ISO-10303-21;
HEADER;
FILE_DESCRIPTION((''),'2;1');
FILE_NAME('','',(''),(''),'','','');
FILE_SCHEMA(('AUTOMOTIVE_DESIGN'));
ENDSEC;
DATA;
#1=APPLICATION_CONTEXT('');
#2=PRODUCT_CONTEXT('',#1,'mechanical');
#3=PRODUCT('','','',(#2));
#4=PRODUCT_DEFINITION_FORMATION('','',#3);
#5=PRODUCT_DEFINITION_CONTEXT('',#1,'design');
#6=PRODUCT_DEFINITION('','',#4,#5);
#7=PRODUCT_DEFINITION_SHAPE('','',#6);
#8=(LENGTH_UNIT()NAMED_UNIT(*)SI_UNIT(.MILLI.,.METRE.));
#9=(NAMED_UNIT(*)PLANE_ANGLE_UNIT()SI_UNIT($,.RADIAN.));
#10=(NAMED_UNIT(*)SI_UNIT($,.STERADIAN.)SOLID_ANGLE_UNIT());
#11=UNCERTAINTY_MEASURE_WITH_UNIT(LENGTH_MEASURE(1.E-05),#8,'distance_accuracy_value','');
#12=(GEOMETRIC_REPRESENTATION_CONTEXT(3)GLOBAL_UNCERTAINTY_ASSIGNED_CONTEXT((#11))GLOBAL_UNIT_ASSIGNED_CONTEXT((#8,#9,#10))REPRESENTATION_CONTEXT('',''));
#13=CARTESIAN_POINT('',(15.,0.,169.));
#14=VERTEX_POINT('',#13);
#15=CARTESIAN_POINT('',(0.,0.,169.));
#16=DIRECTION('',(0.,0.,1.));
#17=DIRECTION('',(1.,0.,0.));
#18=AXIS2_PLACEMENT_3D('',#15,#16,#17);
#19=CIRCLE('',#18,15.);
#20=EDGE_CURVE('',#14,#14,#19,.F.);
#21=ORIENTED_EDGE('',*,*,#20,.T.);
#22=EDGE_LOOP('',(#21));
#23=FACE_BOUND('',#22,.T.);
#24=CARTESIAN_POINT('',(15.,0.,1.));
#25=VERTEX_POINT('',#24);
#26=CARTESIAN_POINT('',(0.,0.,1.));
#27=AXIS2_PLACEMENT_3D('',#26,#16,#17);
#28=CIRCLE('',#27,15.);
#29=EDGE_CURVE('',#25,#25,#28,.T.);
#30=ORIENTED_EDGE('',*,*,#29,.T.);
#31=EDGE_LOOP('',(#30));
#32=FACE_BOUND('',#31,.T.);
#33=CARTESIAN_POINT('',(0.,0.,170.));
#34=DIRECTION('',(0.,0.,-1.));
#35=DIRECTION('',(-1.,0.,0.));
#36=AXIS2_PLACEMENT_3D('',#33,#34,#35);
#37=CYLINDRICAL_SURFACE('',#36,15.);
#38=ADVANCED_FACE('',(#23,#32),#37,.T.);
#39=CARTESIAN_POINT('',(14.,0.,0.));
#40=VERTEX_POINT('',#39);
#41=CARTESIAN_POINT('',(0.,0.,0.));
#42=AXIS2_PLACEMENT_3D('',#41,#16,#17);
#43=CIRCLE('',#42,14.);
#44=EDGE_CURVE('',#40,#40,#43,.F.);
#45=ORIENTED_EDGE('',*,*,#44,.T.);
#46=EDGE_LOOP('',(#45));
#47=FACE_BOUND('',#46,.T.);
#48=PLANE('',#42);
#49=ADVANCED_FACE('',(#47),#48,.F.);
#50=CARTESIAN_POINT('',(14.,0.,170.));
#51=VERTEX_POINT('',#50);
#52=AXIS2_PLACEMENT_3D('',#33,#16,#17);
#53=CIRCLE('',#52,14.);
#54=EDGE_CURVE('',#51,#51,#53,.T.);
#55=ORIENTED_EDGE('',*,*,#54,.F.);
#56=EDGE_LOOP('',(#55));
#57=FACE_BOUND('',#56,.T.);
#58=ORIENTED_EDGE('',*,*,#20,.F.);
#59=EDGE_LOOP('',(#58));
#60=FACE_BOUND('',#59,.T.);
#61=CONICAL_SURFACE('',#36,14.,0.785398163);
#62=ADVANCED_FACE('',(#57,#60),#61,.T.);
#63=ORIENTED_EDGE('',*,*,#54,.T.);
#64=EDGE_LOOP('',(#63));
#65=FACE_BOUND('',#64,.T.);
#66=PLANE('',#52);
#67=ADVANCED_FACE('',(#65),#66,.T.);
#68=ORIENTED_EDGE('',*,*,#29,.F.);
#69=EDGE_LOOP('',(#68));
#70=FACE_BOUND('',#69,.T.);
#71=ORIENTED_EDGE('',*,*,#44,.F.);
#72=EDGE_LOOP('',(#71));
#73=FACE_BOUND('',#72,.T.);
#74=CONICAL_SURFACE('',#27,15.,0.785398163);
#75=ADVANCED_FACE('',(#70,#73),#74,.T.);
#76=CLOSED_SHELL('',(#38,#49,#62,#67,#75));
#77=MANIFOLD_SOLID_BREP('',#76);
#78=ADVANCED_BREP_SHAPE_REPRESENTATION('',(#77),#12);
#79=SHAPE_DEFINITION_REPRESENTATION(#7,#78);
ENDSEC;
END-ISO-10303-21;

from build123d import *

# Parameters (mm, degrees)
ESQUISSE1_R      = 15
EXTRUSION1_DEPTH = 170
CHANFREIN1_SIZE  = 1


with BuildPart() as part:
    # Esquisse1 → Extrusion1 (new body)
    with BuildSketch(Plane.XY):
        Circle(ESQUISSE1_R)
    extrude(amount=EXTRUSION1_DEPTH)

    # Chanfrein1
    chanfrein1_edges = [part.edges().sort_by_distance(p)[0] for p in [
        (-15, 0, 0),
        (-15, 0, 170),
    ]]
    chamfer(chanfrein1_edges, length=CHANFREIN1_SIZE)


solid = part.part
